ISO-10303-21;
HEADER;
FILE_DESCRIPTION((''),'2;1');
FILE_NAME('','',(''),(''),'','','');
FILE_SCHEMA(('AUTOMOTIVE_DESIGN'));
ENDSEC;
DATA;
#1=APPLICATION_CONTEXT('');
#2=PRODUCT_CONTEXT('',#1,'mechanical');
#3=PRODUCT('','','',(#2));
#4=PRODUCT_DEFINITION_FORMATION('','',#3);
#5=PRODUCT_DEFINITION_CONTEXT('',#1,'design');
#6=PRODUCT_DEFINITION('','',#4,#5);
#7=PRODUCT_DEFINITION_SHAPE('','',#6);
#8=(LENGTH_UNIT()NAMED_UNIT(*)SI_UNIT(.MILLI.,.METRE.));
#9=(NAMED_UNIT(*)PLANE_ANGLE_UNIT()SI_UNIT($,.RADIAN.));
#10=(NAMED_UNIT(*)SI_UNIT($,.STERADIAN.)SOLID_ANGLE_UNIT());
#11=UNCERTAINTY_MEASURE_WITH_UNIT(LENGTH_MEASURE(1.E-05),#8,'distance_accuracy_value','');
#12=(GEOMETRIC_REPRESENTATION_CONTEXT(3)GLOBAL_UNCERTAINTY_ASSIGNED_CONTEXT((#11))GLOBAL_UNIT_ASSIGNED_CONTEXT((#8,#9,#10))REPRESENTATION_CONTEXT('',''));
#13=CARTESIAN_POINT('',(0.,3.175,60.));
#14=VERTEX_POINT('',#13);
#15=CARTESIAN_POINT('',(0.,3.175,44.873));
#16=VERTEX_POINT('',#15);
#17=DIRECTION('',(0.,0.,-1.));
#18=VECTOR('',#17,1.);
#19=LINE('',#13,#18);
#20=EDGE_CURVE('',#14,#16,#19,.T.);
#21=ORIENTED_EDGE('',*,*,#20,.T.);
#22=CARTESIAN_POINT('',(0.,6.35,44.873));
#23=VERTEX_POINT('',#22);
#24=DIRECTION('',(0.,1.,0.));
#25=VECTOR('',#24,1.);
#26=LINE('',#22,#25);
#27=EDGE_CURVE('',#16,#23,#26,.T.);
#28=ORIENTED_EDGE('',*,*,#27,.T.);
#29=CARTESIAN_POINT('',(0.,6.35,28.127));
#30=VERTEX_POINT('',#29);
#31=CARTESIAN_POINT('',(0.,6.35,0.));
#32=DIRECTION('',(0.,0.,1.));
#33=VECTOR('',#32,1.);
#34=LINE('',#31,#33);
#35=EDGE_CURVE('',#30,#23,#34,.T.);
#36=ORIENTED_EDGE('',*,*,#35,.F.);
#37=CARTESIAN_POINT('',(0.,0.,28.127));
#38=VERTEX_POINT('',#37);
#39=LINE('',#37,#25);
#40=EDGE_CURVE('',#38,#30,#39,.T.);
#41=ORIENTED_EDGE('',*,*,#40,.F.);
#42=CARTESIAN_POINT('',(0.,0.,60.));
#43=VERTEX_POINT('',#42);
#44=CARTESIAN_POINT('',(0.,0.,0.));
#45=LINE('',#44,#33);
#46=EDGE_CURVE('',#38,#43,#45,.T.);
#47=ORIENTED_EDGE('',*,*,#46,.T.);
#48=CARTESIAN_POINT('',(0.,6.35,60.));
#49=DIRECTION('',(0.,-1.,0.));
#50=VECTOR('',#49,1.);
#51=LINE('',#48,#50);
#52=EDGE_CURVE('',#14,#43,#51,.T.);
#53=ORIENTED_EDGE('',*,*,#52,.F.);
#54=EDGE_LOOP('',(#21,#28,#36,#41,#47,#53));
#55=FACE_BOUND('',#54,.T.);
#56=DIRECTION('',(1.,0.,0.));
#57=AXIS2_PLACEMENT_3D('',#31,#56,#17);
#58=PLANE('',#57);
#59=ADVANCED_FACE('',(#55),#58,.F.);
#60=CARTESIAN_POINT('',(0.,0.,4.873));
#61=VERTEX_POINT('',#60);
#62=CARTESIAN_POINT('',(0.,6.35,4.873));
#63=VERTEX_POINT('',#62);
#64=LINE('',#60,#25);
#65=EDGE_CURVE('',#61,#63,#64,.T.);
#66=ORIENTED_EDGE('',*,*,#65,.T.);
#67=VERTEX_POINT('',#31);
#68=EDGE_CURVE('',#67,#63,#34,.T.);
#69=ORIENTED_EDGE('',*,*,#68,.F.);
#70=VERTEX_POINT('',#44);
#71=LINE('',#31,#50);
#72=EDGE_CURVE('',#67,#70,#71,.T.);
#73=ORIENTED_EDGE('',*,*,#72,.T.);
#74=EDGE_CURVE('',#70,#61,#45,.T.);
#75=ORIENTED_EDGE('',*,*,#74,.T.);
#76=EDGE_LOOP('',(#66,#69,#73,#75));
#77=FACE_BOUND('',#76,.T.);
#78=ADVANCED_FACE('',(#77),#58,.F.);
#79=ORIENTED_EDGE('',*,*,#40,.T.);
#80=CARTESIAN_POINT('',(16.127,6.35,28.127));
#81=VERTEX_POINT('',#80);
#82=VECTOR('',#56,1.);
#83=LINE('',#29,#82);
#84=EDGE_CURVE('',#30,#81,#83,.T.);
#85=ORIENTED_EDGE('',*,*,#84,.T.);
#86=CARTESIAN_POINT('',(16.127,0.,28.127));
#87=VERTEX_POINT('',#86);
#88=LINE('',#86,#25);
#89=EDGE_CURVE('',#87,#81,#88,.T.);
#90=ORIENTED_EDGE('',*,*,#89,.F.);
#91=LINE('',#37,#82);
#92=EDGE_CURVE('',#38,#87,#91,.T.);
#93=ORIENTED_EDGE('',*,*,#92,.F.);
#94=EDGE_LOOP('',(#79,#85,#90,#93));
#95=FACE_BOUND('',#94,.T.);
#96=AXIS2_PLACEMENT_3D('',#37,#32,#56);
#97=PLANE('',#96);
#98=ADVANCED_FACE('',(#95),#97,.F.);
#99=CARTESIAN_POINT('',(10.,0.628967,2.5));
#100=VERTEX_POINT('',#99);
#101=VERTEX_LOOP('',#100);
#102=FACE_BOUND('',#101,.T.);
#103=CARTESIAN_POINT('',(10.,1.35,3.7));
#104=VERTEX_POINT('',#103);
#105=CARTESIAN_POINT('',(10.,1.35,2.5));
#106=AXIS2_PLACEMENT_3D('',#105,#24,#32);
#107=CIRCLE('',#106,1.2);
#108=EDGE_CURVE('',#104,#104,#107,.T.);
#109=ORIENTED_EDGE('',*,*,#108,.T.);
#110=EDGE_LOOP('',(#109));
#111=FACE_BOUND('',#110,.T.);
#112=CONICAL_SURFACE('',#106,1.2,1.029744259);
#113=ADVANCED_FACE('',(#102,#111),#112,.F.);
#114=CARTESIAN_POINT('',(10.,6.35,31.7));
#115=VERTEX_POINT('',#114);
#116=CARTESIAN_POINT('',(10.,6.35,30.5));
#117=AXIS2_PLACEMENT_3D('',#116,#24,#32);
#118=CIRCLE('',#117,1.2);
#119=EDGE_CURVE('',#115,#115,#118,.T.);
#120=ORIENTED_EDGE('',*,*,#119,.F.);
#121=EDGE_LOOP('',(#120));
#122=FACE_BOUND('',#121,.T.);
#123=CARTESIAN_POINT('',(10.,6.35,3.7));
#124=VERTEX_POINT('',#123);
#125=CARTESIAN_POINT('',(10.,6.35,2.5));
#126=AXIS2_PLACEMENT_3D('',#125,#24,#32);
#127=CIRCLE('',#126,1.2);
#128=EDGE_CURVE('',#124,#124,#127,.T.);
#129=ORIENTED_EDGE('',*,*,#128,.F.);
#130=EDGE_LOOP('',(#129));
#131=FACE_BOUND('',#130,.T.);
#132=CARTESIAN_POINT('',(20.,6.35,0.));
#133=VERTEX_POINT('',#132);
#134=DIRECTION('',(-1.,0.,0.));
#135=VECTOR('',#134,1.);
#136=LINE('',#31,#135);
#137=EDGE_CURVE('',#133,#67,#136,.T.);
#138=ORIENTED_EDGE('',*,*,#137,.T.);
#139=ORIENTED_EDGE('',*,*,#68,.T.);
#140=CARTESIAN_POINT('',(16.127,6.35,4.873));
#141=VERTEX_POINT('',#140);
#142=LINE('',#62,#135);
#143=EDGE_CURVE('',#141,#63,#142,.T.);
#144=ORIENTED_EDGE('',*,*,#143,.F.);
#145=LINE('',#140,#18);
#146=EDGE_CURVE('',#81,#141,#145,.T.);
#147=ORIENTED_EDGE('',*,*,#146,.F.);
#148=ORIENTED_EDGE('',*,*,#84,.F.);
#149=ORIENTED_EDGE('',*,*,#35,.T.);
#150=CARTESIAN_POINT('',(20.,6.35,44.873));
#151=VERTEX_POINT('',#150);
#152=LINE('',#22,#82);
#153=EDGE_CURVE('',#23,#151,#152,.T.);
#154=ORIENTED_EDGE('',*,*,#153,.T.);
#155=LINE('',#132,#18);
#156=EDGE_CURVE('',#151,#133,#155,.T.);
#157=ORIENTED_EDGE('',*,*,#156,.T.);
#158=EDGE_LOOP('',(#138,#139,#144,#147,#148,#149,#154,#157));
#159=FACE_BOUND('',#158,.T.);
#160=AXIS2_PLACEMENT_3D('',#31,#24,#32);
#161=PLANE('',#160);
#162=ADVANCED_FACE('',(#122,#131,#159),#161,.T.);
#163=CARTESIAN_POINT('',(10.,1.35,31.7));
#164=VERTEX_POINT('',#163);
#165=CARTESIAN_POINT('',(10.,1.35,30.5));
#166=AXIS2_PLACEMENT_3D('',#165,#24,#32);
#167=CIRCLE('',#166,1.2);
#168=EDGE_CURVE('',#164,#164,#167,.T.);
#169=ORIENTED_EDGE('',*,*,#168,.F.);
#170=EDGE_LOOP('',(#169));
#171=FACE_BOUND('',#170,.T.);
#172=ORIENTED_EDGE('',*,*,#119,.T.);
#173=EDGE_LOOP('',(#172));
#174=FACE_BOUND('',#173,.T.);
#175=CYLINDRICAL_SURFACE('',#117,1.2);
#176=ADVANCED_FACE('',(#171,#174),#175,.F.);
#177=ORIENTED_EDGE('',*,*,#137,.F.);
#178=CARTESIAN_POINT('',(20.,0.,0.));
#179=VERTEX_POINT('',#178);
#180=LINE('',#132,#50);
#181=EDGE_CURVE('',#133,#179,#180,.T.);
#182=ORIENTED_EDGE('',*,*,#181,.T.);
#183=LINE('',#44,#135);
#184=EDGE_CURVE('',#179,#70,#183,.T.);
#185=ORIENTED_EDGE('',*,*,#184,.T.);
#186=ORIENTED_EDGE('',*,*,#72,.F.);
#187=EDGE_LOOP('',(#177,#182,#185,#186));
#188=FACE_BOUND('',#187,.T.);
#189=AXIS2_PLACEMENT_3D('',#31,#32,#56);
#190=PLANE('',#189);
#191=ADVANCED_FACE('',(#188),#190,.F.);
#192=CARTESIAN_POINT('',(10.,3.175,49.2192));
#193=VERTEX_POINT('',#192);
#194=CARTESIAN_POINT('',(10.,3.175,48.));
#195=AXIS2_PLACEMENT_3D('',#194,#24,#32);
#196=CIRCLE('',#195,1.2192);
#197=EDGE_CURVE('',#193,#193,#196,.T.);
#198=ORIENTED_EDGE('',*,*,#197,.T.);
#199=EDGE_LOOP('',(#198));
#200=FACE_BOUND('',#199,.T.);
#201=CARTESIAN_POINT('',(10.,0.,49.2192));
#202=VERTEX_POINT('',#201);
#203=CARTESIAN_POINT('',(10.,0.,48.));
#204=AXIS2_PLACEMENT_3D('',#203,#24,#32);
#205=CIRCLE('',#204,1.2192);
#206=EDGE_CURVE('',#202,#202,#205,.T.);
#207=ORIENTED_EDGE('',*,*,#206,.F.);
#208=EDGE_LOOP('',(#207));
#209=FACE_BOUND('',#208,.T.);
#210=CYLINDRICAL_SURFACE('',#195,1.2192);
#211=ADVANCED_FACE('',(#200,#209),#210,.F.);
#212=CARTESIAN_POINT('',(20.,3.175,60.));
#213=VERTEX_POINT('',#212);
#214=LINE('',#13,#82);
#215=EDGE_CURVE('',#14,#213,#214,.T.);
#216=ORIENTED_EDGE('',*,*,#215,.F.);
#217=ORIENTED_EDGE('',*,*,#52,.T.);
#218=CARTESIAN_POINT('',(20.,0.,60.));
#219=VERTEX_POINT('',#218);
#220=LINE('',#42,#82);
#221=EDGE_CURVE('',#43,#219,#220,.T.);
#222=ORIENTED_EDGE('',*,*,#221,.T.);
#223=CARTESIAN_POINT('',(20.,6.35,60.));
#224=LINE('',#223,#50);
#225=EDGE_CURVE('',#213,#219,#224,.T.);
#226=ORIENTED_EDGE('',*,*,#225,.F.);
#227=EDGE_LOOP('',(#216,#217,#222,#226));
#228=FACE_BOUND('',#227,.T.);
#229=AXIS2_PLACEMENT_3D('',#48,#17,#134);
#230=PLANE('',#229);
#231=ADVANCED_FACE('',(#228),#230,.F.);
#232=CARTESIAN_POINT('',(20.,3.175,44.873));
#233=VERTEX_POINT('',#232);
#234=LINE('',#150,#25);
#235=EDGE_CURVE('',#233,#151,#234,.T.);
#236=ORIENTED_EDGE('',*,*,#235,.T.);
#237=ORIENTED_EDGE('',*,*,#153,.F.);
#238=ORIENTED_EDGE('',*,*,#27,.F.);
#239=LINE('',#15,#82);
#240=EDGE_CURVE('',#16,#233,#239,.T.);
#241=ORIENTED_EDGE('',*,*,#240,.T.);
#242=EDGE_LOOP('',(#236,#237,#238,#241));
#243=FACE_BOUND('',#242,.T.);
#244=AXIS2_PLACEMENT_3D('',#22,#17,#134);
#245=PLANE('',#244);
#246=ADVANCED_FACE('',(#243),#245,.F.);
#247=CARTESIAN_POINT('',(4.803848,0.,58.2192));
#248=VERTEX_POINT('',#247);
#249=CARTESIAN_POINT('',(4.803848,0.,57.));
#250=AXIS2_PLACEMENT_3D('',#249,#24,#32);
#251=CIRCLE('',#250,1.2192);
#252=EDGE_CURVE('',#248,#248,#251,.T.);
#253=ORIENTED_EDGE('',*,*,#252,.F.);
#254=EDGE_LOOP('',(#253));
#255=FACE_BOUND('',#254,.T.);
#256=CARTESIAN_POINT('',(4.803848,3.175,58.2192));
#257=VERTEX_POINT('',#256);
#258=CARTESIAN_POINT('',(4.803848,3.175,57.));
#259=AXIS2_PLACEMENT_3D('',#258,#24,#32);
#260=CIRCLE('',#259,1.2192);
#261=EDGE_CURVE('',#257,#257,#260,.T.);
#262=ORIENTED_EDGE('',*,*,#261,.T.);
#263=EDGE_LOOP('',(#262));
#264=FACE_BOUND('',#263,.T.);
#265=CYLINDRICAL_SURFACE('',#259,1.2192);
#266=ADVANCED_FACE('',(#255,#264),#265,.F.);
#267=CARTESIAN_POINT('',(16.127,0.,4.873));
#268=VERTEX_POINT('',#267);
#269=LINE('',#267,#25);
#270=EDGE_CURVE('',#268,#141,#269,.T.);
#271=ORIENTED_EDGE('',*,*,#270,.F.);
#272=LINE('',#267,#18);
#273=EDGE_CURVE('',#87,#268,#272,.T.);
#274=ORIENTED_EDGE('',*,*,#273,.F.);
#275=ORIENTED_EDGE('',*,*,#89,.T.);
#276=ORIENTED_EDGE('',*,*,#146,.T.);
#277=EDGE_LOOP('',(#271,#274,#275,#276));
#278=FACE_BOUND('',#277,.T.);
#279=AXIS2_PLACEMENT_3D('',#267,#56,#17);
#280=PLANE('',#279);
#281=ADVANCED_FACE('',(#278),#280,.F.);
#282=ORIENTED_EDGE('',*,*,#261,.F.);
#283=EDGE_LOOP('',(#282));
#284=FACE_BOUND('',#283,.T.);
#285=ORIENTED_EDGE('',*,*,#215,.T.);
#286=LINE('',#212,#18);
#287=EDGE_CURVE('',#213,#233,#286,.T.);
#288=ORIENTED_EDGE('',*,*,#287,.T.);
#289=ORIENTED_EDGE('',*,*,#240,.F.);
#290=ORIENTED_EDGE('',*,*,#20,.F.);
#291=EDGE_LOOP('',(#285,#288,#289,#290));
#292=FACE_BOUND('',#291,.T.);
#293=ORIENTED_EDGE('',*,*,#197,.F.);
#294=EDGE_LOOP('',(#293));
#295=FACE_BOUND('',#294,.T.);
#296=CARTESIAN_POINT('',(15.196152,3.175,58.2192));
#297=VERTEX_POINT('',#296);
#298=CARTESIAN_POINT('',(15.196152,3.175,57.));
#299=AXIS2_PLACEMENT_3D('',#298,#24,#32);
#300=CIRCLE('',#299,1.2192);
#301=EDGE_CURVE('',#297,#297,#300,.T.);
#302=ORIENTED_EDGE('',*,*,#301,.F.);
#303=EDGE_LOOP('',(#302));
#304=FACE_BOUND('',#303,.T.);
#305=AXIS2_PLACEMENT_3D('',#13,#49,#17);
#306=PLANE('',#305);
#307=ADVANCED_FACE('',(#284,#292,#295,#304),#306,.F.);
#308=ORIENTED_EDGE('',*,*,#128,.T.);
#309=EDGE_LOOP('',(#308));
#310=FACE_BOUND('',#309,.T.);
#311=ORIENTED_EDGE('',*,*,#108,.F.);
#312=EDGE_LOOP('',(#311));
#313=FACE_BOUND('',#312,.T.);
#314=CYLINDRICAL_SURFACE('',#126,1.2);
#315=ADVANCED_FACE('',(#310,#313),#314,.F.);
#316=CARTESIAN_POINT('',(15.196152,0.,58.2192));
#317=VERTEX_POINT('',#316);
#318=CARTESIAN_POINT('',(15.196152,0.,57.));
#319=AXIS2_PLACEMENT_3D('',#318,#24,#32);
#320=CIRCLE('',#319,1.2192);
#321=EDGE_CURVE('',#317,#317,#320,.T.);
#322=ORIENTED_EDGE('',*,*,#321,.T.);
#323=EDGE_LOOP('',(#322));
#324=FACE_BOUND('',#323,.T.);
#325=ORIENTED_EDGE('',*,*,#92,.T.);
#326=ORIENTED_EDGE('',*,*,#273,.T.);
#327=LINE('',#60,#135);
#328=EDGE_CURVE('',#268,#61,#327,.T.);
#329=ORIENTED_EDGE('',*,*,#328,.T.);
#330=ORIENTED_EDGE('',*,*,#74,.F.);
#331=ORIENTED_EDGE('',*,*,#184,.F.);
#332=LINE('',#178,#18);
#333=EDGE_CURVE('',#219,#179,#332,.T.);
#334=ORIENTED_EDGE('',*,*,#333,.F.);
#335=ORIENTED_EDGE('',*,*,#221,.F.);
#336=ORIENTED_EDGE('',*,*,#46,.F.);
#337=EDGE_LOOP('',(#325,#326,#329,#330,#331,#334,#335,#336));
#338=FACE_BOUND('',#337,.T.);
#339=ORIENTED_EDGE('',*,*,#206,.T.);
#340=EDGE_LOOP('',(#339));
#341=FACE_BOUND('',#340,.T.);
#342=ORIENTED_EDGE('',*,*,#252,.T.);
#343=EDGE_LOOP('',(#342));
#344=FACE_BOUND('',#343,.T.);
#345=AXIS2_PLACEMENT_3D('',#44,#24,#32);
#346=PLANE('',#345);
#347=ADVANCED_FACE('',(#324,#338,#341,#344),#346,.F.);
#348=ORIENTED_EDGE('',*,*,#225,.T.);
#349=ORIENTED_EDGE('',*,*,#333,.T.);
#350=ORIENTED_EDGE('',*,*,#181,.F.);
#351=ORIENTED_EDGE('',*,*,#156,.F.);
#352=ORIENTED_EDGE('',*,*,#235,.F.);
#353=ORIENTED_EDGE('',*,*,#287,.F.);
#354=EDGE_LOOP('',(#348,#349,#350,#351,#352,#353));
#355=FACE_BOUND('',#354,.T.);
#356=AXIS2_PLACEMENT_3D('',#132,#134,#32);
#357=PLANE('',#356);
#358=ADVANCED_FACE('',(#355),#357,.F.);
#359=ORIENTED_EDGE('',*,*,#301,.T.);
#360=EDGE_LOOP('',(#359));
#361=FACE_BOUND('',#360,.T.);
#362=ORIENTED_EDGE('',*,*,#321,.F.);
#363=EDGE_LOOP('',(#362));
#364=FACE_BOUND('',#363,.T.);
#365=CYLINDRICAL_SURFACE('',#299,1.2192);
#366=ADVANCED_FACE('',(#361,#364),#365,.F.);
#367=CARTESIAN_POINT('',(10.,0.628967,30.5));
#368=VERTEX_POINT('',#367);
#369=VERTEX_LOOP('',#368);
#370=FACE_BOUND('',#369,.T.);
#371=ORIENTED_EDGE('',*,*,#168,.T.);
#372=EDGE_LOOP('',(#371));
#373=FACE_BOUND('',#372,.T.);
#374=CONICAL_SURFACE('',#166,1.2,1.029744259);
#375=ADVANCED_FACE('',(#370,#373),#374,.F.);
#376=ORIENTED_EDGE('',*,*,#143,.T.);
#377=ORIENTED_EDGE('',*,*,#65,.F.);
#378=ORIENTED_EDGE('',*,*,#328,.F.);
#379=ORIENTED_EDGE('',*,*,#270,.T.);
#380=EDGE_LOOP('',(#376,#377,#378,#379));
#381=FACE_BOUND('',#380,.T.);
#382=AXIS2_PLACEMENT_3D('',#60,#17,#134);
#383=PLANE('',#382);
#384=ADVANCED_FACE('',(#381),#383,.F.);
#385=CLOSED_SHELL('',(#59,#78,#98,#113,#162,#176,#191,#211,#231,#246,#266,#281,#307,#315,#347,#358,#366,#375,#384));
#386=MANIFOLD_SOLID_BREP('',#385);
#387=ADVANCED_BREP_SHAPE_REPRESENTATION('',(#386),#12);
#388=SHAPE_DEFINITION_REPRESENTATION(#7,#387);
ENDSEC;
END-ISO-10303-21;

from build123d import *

# Parameters (mm, degrees)
SKETCH2_W                = 20
SKETCH2_H                = 60
BOSS_EXTRUDE1_DEPTH      = 6.35
SKETCH4_W                = 16.127
SKETCH4_H                = 23.254
CUT_EXTRUDE1_DEPTH       = 64.563531211
M2_CLEARANCE_HOLE1_D     = 2.4
M2_CLEARANCE_HOLE1_DEPTH = 5
M2_CLEARANCE_HOLE1_TIP   = 0.721032743
SKETCH10_W               = 15.127
SKETCH10_H               = 3.175
CUT_EXTRUDE2_DEPTH       = 64.563531211
F_2_CLEARANCE_HOLE1_D    = 2.4384


with BuildPart() as part:
    # Sketch2 → Boss-Extrude1 (new body)
    with BuildSketch(Plane(origin=(0, 0, 0), x_dir=(1, 0, 0), z_dir=(0, 1, 0))):
        with Locations((10, -30)):
            Rectangle(SKETCH2_W, SKETCH2_H)
    extrude(amount=BOSS_EXTRUDE1_DEPTH)

    # Sketch4 → Cut-Extrude1 (cut, through all)
    with BuildSketch(Plane(origin=(0, 6.35, 0), x_dir=(1, 0, 0), z_dir=(0, 1, 0))):
        with Locations((8.0635, -16.5)):
            Rectangle(SKETCH4_W, SKETCH4_H)
    extrude(amount=-CUT_EXTRUDE1_DEPTH, mode=Mode.SUBTRACT)

    # M2 Clearance Hole1
    with Locations(Plane(origin=(0, 6.35, 0), x_dir=(1, 0, 0), z_dir=(0, 1, 0))):
        with Locations((10, -30.5), (10, -2.5)):
            Hole(M2_CLEARANCE_HOLE1_D / 2, depth=M2_CLEARANCE_HOLE1_DEPTH)
            with Locations((0, 0, -(M2_CLEARANCE_HOLE1_DEPTH + M2_CLEARANCE_HOLE1_TIP / 2))):  # 118° drill point
                Cone(0, M2_CLEARANCE_HOLE1_D / 2, M2_CLEARANCE_HOLE1_TIP, mode=Mode.SUBTRACT)

    # Sketch10 → Cut-Extrude2 (cut, through all)
    with BuildSketch(Plane(origin=(20, 0, 0), x_dir=(0, 0, -1), z_dir=(1, 0, 0))):
        with Locations((-52.4365, 4.7625)):
            Rectangle(SKETCH10_W, SKETCH10_H)
    extrude(amount=-CUT_EXTRUDE2_DEPTH, mode=Mode.SUBTRACT)

    # #2 Clearance Hole1 (through all)
    with Locations(Plane(origin=(0, 3.175, 0), x_dir=(1, 0, 0), z_dir=(0, 1, 0))):
        with Locations((10, -48), (4.803847577, -57), (15.196152423, -57)):
            Hole(F_2_CLEARANCE_HOLE1_D / 2)


solid = part.part
